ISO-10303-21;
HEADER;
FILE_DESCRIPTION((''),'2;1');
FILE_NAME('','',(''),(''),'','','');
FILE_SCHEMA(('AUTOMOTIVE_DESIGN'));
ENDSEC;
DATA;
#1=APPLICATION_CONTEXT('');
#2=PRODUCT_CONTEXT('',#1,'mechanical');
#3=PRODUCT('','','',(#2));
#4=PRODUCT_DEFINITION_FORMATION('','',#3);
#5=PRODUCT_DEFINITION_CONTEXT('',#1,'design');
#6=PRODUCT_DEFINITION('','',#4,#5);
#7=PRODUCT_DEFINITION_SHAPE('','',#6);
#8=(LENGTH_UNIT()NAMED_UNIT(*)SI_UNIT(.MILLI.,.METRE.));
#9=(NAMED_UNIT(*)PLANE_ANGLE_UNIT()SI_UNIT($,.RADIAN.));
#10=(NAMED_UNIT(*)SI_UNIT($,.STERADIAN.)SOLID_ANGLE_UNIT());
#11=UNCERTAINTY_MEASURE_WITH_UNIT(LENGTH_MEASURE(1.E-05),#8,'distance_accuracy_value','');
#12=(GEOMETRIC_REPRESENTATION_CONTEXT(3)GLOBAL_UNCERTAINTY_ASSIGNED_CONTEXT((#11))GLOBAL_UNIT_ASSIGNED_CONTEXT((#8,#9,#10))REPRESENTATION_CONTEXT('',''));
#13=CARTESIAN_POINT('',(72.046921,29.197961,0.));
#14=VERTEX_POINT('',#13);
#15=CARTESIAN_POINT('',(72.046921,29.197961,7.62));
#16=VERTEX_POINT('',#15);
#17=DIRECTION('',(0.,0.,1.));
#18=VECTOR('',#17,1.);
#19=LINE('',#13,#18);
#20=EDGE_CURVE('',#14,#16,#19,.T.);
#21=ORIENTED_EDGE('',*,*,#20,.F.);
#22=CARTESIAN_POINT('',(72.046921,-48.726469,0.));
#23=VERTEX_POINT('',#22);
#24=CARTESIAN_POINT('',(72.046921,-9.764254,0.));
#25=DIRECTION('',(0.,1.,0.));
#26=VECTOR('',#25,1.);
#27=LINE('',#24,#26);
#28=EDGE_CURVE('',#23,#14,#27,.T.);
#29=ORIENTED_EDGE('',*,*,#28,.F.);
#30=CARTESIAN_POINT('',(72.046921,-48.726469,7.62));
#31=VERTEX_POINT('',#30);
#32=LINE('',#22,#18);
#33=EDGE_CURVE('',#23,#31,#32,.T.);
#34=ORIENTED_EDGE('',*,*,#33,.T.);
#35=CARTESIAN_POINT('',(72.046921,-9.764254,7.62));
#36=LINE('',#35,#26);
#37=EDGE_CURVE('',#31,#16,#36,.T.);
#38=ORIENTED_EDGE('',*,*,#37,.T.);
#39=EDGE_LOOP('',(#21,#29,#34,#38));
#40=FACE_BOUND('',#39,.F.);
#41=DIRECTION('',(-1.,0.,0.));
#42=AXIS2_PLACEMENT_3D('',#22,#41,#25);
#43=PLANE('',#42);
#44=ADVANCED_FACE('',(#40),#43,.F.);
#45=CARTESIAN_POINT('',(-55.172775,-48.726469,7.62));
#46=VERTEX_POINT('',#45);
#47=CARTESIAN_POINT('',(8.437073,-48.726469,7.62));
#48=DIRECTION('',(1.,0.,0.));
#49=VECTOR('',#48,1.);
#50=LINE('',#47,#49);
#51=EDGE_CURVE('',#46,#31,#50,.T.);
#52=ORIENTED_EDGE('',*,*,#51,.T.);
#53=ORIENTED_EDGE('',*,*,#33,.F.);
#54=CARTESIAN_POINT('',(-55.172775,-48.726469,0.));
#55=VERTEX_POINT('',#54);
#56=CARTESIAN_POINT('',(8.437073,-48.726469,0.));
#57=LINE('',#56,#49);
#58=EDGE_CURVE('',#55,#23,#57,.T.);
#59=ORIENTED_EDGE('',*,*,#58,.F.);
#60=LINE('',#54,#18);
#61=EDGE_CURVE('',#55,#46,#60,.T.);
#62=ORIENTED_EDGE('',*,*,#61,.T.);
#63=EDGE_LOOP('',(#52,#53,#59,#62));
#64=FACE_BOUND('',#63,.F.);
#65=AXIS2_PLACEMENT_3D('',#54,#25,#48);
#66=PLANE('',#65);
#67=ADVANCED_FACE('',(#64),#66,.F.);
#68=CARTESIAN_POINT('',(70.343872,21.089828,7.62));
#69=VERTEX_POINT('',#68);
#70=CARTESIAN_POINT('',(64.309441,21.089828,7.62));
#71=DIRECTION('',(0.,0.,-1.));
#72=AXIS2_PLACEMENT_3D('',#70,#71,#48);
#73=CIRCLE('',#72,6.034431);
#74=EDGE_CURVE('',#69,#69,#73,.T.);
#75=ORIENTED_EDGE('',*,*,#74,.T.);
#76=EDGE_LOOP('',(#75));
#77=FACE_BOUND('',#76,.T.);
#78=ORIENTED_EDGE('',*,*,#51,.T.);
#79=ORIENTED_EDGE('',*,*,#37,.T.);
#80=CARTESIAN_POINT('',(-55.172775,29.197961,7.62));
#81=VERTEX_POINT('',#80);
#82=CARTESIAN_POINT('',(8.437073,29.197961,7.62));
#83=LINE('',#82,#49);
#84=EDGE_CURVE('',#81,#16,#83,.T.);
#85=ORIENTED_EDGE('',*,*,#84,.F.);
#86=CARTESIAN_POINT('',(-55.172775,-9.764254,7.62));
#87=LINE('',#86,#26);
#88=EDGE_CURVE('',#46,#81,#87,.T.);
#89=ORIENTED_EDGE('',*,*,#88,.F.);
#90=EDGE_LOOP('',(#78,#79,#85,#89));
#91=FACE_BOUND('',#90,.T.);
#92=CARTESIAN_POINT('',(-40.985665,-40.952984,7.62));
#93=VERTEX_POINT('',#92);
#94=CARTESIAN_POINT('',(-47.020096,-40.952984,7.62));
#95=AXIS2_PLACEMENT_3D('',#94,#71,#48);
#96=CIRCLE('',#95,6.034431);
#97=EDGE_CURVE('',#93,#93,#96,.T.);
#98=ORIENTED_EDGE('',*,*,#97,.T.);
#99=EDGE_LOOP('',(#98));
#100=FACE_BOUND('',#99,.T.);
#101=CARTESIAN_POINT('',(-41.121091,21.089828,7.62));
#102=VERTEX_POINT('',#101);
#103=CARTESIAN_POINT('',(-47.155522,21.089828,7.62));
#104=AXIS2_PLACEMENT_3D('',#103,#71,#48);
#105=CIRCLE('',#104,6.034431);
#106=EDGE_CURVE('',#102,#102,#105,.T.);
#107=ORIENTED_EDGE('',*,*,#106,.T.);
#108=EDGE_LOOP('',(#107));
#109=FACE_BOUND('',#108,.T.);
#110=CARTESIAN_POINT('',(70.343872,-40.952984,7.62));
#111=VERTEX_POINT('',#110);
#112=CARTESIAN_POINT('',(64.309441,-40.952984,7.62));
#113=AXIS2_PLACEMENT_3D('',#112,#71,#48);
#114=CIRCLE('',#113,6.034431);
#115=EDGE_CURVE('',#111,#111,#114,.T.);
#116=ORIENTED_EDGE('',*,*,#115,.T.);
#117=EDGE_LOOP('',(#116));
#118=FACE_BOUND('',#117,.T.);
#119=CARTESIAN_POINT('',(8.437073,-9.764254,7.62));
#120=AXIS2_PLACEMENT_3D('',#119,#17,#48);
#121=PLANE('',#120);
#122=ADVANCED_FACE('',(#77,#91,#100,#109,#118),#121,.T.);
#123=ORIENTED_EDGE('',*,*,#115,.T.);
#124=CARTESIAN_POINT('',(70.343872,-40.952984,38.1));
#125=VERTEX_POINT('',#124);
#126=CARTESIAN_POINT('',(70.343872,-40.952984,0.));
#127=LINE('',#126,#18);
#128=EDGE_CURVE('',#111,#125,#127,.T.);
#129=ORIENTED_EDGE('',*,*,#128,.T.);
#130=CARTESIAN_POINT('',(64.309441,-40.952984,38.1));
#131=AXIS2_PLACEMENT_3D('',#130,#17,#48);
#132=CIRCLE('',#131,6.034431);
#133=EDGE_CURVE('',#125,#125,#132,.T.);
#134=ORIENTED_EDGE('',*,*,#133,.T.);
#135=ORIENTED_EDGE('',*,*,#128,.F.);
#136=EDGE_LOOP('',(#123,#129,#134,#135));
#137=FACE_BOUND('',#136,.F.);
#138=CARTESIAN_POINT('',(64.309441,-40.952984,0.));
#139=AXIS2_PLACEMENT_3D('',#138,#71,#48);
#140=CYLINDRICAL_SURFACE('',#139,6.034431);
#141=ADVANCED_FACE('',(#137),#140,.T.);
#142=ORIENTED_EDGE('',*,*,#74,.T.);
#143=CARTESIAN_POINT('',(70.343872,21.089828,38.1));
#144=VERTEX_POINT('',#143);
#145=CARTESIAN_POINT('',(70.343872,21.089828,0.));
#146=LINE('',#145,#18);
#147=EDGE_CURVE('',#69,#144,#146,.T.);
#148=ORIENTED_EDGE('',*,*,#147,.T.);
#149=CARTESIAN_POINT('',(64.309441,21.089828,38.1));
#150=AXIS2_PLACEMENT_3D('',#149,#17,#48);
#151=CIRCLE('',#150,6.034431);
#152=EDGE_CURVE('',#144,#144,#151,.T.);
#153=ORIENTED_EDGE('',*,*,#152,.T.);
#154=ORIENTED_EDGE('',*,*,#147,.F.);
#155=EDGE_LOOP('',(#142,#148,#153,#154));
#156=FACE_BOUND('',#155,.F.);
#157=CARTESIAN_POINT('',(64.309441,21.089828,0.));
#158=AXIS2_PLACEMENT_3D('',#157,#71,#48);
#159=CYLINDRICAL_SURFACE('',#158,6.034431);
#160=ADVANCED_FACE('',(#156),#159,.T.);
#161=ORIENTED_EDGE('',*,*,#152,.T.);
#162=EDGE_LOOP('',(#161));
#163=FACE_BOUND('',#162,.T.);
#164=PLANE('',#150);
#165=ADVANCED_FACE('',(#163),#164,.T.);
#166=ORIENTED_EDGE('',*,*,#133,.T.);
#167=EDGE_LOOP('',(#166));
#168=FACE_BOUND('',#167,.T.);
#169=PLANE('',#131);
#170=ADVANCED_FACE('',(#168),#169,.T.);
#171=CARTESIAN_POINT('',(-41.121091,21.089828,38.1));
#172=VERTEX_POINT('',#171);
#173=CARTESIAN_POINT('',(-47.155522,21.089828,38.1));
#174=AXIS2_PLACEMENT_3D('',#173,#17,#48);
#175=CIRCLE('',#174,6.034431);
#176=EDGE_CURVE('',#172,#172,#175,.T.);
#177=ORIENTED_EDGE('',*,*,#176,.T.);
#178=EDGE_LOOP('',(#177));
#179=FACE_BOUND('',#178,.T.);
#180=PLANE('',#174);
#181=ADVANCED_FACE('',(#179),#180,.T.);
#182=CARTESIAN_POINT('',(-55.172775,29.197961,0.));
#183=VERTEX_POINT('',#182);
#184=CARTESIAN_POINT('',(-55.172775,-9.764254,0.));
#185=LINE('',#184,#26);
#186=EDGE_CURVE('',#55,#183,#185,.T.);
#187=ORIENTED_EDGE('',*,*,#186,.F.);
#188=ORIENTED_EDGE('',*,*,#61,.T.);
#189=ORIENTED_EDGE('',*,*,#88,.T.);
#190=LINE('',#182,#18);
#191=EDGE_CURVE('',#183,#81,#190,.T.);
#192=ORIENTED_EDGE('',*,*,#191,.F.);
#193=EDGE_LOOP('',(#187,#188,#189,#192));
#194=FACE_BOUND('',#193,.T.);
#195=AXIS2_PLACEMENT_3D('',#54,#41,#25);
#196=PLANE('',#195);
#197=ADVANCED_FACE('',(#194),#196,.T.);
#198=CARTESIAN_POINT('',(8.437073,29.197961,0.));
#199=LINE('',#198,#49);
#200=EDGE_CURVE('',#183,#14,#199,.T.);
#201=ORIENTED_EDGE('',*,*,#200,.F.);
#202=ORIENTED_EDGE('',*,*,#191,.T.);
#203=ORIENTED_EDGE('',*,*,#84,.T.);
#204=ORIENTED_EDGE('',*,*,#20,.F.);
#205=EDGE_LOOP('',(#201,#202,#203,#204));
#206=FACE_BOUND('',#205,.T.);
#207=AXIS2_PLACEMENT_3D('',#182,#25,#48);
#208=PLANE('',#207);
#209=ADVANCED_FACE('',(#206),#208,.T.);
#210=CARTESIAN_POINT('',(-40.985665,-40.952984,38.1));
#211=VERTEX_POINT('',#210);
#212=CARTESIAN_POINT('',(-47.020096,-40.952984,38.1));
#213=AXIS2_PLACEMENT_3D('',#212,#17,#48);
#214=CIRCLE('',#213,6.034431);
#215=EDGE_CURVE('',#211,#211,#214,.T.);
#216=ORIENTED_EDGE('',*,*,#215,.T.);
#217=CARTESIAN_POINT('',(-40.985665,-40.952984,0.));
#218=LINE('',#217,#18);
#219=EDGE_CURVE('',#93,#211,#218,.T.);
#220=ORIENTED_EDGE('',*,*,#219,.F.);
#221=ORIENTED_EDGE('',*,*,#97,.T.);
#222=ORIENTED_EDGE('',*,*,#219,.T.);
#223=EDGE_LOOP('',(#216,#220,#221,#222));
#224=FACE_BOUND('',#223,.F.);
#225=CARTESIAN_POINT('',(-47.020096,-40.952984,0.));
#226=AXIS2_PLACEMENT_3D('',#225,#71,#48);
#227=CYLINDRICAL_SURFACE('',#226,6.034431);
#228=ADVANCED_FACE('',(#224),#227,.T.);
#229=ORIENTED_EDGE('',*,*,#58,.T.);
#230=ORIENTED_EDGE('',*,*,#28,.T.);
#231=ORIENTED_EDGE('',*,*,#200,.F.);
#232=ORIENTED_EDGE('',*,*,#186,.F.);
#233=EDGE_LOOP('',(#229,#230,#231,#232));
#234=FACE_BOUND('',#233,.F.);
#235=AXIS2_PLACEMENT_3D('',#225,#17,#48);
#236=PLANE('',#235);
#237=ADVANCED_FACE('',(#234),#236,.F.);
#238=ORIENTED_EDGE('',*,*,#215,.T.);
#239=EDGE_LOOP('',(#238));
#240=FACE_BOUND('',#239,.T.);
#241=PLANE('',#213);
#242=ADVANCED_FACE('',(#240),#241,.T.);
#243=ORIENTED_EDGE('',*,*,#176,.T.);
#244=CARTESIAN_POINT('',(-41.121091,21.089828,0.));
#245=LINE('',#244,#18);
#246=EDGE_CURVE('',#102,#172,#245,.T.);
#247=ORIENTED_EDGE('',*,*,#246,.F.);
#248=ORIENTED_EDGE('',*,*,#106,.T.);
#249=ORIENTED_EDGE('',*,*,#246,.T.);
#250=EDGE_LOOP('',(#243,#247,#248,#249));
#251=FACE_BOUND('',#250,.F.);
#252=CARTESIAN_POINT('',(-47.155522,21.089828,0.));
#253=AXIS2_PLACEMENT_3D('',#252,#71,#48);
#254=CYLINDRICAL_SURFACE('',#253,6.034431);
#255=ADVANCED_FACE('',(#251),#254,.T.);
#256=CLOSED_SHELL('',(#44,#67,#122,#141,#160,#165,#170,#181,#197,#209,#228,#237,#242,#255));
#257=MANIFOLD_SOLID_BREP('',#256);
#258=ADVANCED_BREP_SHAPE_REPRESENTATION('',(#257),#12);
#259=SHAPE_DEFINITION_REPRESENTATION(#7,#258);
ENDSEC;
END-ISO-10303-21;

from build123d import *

# Parameters (mm, degrees)
F0_W     = 127.219696
F0_H     = 77.92443
F1_DEPTH = 7.62
F2_R     = 6.034431
F3_DEPTH = 38.1


with BuildPart() as f1:
    # F0 (on Top) → F1 (new body)
    with BuildSketch(Plane.XY):
        with Locations((8.437073, -9.764254)):
            Rectangle(F0_W, F0_H)
    extrude(amount=F1_DEPTH)

    # F2 (on Top) → F3 (join)
    with BuildSketch(Plane.XY):
        with Locations((-47.020096, -40.952984)):
            Circle(F2_R)
        with Locations((-47.155522, 21.089828)):
            Circle(F2_R)
        with Locations((64.309441, -40.952984)):
            Circle(F2_R)
        with Locations((64.309441, 21.089828)):
            Circle(F2_R)
    extrude(amount=F3_DEPTH)


solid = f1.part
